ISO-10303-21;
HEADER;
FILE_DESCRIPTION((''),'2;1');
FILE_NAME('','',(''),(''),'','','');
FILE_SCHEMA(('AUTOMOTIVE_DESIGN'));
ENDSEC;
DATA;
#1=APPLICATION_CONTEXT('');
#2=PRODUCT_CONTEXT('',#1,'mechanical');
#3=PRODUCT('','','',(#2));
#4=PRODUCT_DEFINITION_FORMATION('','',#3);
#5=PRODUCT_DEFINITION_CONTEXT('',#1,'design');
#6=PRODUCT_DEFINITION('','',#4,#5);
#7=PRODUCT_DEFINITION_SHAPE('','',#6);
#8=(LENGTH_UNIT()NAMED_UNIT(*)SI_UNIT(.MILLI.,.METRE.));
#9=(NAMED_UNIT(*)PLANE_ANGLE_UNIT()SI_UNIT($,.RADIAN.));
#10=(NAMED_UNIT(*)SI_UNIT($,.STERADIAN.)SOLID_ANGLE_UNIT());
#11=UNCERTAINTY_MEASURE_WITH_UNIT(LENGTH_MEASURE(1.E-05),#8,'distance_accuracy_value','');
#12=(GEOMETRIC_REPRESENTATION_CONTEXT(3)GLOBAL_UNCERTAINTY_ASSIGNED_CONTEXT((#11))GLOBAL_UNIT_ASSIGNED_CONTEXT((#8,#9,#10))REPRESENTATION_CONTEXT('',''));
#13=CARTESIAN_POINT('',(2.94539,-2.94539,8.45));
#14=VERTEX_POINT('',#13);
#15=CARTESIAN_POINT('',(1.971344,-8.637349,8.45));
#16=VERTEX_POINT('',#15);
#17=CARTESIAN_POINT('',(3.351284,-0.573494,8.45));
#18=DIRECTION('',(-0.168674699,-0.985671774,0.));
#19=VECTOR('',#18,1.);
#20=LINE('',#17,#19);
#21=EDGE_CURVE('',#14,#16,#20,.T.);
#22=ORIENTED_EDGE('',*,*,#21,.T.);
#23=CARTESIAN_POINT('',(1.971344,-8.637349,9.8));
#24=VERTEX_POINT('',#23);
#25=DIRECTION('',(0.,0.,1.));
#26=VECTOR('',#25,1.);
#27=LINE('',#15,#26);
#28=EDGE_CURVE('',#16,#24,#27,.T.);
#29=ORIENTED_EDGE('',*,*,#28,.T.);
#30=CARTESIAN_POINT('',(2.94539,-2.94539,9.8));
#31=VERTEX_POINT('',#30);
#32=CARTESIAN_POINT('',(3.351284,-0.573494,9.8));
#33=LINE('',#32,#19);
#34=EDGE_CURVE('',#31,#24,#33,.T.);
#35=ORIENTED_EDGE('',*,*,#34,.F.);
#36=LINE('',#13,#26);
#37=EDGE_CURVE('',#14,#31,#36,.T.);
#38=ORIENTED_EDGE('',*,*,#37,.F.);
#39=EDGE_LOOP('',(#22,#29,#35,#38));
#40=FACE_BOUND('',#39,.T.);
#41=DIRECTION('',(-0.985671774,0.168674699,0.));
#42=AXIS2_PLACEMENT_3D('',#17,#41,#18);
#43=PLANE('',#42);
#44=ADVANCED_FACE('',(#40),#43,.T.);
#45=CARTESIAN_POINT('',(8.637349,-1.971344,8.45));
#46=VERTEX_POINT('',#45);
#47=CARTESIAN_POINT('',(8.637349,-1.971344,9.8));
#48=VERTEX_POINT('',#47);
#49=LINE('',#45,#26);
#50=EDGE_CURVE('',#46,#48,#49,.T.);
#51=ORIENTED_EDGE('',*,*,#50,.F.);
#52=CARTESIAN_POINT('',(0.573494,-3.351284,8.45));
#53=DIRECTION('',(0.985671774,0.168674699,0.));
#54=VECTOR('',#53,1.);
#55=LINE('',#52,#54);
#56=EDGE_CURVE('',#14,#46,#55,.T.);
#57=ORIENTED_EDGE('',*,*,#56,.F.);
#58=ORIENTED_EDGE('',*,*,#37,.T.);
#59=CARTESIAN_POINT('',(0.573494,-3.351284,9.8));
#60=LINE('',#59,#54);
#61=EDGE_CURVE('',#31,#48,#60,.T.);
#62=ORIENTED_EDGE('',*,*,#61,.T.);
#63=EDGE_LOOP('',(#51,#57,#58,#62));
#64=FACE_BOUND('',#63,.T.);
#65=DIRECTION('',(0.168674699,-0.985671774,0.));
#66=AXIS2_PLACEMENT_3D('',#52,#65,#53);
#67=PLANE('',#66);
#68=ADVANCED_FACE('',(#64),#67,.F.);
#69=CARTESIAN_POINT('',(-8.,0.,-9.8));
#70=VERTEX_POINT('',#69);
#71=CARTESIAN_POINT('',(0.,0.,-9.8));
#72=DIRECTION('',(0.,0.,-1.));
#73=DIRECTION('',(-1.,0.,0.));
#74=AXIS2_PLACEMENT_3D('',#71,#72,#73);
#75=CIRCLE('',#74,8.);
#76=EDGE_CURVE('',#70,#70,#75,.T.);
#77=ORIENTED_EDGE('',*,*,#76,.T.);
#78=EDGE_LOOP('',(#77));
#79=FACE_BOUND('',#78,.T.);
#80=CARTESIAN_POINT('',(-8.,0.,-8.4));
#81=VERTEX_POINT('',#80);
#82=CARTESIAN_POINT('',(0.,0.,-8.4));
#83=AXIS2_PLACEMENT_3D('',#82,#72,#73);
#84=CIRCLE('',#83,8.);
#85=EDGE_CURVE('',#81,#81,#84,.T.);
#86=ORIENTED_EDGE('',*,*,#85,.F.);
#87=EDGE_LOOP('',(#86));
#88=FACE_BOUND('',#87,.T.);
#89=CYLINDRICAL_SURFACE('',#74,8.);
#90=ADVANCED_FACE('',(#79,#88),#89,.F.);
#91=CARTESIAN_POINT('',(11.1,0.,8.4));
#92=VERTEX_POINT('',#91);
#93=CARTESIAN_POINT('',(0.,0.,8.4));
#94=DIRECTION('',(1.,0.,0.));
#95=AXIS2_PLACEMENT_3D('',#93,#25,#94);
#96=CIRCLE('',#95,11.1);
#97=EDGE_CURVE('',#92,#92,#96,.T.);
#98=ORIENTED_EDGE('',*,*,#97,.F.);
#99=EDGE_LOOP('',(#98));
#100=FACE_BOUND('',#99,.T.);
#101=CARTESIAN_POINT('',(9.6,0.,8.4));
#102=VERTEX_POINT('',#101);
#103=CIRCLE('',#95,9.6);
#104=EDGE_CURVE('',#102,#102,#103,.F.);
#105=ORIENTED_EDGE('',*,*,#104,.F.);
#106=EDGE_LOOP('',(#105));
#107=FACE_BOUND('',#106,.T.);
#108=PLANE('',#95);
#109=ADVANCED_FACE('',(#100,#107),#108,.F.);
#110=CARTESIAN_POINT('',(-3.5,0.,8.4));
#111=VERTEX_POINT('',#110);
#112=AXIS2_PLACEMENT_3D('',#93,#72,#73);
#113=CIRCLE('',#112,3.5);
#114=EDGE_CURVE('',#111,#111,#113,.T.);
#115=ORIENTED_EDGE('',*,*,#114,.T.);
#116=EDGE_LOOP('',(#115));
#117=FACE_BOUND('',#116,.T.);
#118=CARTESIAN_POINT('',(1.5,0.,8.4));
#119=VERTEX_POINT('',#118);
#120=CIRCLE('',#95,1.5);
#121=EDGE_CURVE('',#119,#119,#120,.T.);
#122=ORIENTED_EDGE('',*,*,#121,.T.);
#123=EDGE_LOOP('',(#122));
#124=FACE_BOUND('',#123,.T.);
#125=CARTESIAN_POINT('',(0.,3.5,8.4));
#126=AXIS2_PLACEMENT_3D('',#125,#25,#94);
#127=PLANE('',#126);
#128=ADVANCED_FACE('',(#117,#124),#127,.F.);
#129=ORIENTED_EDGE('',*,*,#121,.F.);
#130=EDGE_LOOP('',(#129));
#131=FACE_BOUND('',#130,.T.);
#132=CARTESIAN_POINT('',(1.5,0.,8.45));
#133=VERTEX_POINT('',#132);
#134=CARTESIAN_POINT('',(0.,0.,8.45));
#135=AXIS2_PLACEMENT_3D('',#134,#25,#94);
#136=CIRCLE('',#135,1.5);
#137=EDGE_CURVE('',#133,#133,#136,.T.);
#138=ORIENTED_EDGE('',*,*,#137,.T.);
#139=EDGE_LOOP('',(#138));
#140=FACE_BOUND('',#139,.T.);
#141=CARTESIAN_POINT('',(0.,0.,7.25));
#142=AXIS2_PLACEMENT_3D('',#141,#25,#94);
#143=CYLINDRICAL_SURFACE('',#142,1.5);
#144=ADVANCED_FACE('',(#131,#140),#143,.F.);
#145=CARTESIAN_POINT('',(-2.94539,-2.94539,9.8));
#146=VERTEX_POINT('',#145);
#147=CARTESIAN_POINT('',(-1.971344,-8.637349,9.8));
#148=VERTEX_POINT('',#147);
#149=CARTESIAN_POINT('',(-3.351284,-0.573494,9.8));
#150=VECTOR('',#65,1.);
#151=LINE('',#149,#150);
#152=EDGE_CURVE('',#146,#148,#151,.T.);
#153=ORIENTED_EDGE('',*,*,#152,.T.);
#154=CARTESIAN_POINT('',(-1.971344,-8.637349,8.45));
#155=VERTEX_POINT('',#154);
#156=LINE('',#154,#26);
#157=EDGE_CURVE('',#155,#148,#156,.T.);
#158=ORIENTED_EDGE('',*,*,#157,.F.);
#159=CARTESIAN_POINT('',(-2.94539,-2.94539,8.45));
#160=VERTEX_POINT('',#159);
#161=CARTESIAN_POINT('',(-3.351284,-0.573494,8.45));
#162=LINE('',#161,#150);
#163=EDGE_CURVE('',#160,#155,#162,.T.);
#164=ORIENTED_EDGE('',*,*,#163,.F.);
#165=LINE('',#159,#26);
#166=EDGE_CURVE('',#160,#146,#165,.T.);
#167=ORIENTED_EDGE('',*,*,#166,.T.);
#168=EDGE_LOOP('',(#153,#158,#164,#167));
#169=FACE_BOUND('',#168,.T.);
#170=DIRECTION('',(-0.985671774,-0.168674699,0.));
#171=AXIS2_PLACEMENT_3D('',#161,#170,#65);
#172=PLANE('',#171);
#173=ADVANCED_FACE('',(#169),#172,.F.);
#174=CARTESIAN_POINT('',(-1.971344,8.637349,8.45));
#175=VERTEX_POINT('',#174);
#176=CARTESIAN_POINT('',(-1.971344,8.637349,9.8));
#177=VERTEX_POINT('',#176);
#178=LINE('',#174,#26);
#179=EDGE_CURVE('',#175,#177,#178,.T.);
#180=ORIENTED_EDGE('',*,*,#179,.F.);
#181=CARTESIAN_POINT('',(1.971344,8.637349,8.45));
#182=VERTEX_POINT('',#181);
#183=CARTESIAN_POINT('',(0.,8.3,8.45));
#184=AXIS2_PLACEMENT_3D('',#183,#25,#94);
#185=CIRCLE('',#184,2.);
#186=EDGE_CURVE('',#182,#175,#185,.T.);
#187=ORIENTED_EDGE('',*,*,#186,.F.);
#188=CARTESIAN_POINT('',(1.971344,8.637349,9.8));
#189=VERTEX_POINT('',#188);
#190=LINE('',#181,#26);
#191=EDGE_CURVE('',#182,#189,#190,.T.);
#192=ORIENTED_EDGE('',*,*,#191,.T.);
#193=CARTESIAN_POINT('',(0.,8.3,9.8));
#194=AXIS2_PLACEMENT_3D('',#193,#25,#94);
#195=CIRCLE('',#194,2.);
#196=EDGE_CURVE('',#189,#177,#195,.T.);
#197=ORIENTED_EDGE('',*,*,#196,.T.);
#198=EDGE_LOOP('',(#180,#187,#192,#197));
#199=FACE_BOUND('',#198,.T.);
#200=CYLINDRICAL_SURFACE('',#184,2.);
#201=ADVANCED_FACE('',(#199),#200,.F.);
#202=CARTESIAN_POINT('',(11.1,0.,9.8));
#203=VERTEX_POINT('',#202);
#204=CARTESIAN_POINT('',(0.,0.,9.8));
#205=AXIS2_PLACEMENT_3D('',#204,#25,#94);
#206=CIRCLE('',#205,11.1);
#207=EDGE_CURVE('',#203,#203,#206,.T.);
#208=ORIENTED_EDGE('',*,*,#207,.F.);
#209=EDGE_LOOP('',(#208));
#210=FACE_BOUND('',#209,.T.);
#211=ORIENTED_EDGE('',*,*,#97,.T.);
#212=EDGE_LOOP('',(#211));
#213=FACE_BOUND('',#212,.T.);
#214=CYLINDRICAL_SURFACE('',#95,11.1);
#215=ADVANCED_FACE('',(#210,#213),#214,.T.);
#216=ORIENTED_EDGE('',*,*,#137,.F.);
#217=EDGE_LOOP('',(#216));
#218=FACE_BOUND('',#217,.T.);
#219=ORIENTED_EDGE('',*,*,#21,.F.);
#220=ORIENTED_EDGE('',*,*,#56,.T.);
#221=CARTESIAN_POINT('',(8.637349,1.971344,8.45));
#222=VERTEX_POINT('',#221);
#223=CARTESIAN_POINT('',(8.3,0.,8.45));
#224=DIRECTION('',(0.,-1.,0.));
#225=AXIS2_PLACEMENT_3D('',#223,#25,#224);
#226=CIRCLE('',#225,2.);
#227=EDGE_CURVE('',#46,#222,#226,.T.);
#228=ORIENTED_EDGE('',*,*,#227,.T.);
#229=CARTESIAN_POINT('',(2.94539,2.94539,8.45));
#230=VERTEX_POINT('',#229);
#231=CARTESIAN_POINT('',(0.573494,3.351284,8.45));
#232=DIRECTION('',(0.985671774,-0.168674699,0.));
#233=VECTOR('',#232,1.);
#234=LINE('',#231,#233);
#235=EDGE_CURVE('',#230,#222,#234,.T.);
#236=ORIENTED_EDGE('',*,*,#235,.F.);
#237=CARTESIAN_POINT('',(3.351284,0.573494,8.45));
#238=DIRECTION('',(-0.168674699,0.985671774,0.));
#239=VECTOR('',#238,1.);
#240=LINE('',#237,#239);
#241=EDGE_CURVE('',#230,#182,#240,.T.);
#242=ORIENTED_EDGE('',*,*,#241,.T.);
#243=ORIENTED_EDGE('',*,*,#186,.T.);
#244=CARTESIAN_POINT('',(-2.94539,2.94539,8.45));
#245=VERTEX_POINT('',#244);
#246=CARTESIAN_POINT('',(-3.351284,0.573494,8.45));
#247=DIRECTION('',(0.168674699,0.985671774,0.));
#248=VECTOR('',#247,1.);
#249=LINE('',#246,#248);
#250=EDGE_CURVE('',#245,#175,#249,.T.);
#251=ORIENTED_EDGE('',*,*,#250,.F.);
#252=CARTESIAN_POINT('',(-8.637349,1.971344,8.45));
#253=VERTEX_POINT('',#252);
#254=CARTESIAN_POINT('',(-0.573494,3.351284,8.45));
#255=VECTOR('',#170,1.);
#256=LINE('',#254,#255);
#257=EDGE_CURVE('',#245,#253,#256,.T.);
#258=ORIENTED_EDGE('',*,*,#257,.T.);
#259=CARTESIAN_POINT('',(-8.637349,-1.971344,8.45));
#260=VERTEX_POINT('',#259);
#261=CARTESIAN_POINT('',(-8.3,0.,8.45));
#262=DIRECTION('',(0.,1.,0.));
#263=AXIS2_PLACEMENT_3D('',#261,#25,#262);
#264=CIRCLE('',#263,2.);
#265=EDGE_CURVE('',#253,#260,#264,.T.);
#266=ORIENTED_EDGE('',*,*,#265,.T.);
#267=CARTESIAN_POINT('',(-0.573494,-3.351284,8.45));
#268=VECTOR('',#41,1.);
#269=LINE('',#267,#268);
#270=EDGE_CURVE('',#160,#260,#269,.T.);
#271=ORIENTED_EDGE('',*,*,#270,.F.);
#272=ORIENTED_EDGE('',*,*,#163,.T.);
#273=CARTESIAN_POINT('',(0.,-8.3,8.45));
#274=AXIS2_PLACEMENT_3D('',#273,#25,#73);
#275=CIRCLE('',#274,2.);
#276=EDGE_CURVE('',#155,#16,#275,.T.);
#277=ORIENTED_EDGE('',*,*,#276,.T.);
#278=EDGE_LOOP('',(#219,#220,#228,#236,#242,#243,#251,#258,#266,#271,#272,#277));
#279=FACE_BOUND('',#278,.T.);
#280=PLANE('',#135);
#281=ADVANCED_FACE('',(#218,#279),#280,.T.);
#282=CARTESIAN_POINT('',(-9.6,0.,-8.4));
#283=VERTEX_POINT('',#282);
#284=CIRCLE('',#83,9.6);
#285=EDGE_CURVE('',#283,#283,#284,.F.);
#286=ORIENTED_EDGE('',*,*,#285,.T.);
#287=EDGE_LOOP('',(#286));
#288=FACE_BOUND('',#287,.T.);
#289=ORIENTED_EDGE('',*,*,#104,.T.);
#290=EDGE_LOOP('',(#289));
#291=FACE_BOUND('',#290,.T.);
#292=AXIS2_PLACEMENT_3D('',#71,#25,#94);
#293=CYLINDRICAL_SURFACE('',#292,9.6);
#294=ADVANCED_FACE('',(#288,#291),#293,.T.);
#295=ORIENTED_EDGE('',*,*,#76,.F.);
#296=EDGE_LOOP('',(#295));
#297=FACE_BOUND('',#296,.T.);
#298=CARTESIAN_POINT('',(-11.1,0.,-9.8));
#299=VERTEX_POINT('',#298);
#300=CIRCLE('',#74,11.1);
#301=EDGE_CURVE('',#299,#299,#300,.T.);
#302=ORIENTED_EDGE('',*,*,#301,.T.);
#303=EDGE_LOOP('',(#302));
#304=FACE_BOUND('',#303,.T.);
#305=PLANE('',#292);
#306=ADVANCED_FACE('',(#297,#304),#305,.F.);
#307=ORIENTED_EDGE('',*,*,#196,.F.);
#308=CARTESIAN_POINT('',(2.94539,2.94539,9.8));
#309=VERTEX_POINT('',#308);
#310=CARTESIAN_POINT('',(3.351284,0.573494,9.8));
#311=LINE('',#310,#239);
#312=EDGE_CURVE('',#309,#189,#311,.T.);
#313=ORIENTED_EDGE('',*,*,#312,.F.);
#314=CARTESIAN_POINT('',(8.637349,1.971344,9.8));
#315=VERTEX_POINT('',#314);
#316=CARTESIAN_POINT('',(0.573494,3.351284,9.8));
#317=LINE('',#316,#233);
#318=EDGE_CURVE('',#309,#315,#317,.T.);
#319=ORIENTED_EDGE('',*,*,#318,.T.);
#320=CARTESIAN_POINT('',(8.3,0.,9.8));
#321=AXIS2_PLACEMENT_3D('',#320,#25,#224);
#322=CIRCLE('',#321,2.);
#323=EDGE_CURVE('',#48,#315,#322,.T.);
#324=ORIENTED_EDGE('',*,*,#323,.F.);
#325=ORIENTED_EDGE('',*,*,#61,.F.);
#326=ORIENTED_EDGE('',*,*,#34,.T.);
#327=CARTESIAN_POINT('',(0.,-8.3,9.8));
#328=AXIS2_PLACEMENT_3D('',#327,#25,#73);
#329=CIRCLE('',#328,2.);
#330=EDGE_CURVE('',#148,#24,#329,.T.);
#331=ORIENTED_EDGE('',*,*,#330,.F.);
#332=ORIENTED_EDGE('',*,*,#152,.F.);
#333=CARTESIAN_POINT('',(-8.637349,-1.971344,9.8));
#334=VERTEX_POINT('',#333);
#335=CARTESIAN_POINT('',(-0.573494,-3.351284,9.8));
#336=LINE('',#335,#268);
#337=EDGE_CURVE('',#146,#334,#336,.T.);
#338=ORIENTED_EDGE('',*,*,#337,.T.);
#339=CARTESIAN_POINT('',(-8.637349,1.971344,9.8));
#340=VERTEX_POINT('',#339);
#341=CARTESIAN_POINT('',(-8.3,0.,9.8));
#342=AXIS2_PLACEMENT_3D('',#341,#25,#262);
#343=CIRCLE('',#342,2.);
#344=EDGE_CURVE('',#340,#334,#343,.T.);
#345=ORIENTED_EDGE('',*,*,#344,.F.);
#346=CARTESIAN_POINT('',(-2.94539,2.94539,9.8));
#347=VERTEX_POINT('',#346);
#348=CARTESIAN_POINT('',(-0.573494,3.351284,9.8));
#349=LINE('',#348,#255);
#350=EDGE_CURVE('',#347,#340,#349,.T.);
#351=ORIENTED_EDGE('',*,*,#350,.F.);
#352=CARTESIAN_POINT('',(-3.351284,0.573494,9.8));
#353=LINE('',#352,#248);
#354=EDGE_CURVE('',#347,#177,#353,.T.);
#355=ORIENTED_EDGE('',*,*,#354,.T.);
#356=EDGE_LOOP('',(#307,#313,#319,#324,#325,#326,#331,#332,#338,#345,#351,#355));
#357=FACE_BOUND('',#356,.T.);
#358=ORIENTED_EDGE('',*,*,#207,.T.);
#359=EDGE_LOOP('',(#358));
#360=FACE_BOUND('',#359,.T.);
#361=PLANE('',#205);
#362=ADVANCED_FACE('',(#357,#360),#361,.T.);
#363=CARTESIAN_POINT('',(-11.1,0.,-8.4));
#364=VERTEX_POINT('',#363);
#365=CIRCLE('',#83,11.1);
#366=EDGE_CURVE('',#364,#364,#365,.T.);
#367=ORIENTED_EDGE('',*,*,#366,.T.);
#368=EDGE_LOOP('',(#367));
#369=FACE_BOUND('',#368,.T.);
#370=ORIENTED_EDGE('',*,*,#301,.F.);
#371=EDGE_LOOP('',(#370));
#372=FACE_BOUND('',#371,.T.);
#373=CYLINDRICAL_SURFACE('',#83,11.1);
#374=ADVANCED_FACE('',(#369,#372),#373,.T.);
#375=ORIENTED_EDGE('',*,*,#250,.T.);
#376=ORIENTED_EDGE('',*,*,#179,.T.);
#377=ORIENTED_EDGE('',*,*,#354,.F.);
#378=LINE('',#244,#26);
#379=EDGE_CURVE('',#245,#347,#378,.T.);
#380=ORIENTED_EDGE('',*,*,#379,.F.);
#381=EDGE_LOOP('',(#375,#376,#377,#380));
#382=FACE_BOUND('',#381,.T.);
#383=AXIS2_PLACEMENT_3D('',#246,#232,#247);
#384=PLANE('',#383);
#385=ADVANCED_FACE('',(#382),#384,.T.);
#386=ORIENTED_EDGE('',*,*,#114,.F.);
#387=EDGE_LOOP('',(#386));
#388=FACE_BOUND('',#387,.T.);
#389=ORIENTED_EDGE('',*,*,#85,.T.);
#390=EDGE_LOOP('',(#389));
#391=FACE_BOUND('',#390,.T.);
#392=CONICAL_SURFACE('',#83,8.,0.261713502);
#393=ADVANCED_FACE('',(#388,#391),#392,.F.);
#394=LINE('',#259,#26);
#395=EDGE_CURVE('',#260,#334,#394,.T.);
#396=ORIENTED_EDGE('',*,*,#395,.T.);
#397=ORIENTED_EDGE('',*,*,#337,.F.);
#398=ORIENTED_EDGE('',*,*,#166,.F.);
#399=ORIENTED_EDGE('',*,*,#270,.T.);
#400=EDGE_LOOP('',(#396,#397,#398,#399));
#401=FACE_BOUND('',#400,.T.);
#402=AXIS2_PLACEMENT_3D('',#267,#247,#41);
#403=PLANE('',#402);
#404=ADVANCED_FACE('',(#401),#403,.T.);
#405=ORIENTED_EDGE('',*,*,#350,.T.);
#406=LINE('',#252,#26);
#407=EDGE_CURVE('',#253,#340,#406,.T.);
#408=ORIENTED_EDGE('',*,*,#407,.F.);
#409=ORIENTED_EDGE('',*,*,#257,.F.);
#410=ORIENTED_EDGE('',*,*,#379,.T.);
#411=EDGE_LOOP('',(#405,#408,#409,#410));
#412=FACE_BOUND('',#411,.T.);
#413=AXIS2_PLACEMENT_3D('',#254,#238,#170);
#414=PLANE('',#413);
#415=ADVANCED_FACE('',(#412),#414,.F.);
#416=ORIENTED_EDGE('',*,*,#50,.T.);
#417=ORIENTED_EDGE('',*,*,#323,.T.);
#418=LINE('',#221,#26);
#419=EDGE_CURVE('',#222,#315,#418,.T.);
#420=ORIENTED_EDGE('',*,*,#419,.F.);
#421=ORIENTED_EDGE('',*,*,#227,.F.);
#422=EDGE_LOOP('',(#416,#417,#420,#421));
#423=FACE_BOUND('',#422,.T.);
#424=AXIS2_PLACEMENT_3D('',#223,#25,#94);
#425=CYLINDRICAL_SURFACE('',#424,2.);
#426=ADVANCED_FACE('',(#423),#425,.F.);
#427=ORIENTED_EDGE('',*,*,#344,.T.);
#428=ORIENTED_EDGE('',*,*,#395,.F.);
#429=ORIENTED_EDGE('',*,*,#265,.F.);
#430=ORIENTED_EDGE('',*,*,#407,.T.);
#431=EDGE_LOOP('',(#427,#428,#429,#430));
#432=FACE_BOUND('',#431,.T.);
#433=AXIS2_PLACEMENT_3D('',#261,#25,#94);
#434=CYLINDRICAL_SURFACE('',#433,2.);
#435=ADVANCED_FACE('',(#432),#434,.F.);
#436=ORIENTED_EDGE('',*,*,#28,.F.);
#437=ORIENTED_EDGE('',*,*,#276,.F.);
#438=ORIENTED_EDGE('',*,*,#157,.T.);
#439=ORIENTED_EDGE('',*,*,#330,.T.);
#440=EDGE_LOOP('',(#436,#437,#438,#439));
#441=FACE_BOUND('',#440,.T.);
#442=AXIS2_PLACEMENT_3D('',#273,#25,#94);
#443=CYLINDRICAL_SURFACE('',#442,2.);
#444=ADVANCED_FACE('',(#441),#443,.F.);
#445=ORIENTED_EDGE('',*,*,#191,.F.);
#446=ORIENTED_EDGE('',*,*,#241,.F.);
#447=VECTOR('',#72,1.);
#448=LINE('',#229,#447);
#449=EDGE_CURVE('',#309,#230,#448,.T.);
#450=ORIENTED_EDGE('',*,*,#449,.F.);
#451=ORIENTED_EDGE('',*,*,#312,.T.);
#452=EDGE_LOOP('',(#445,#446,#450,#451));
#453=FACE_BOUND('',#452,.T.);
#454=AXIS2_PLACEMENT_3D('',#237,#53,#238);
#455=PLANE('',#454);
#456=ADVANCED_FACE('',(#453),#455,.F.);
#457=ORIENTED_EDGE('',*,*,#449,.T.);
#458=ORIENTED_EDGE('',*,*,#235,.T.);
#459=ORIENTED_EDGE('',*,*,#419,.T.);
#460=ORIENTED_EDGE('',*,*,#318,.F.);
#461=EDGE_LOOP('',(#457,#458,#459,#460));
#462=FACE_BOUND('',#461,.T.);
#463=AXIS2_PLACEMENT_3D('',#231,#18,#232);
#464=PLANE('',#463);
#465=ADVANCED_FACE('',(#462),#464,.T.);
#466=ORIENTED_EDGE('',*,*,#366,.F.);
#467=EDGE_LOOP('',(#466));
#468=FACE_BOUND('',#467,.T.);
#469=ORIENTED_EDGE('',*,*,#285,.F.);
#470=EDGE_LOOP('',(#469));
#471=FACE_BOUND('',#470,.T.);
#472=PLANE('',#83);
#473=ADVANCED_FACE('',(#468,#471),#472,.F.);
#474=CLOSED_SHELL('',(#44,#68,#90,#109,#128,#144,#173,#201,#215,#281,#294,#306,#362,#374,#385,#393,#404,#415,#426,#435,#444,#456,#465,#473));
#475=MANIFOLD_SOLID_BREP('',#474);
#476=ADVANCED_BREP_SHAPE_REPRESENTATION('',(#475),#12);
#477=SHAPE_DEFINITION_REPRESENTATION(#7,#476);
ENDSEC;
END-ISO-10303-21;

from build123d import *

# Parameters (mm, degrees)
AUFSATZ_LINEAR_AUSTRAGEN1_DEPTH      = 9.8
AUFSATZ_LINEAR_AUSTRAGEN1_DEPTH_BACK = 9.8
SKIZZE1_R                            = 9.6
SKIZZE2_R                            = 11.1
AUFSATZ_LINEAR_AUSTRAGEN2_DEPTH      = 1.4
AUFSATZ_LINEAR_START                 = -1.4
SKIZZE3_R                            = 11.1
AUFSATZ_LINEAR_AUSTRAGEN3_DEPTH      = 1.4
SCHNITT_LINEAR_AUSTRAGEN1_DEPTH      = 1.35
KREISMUSTER1_COUNT                   = 4
SKIZZE9_R                            = 1.5
SCHNITT_LINEAR_AUSTRAGEN2_DEPTH      = 1.2


with BuildPart() as part:
    # Skizze1 → Aufsatz-Linear austragen1 (new, two sides: drawn at the far end of the back side and taken through both)
    with BuildSketch(Plane.XY.offset(-AUFSATZ_LINEAR_AUSTRAGEN1_DEPTH_BACK)):
        Circle(SKIZZE1_R)
    extrude(amount=AUFSATZ_LINEAR_AUSTRAGEN1_DEPTH + AUFSATZ_LINEAR_AUSTRAGEN1_DEPTH_BACK)

    # Skizze2 → Aufsatz-Linear austragen2 (add)
    with BuildSketch(Plane.XY.offset(9.8)):
        Circle(SKIZZE2_R)
    extrude(amount=-AUFSATZ_LINEAR_AUSTRAGEN2_DEPTH)

    # Skizze3 → Aufsatz-Linear austragen3 (add)
    with BuildSketch(Plane(origin=(0, 0, -9.8), x_dir=(-1, 0, 0), z_dir=(0, 0, -1)).offset(AUFSATZ_LINEAR_START)):
        Circle(SKIZZE3_R)
    extrude(amount=AUFSATZ_LINEAR_AUSTRAGEN3_DEPTH)

    # Skizze4 → Schnitt-Linear austragen1 (cut)
    with BuildSketch(Plane.XY.offset(9.8)):
        with BuildLine():
            Line((-1.971343548, 8.637349398), (-3.351284031, 0.573493976))
            ThreePointArc((-3.351284031, 0.573493976), (0, -3.4), (3.351284031, 0.573493976))
            Line((3.351284031, 0.573493976), (1.971343548, 8.637349398))
            ThreePointArc((1.971343548, 8.637349398), (0, 10.3), (-1.971343548, 8.637349398))
        make_face()
    schnitt_linear_austragen1 = extrude(amount=-SCHNITT_LINEAR_AUSTRAGEN1_DEPTH, mode=Mode.SUBTRACT)

    # Kreismuster1: Schnitt-Linear austragen1 ×4 about axis
    kreismuster1_axis = Axis((0, 0, -9.8), (0, 0, 1))
    for i in range(1, KREISMUSTER1_COUNT):
        add(schnitt_linear_austragen1.rotate(kreismuster1_axis, i * 360 / KREISMUSTER1_COUNT), mode=Mode.SUBTRACT)

    # Skizze8 → Schnitt-Rotation1 (revolve, cut)
    with BuildSketch(Plane(origin=(0, 0, 0), x_dir=(0, 0, -1), z_dir=(1, 0, 0))):
        Polygon((9.8, 0), (9.8, 8), (8.4, 8), (-8.4, 3.5), (-8.4, 0), align=None)
    revolve(axis=Axis((0, 0, -9.8), (0, 0, 1)), mode=Mode.SUBTRACT)

    # Skizze9 → Schnitt-Linear austragen2 (cut)
    with BuildSketch(Plane.XY.offset(8.45)):
        Circle(SKIZZE9_R)
    extrude(amount=-SCHNITT_LINEAR_AUSTRAGEN2_DEPTH, mode=Mode.SUBTRACT)


solid = part.part
